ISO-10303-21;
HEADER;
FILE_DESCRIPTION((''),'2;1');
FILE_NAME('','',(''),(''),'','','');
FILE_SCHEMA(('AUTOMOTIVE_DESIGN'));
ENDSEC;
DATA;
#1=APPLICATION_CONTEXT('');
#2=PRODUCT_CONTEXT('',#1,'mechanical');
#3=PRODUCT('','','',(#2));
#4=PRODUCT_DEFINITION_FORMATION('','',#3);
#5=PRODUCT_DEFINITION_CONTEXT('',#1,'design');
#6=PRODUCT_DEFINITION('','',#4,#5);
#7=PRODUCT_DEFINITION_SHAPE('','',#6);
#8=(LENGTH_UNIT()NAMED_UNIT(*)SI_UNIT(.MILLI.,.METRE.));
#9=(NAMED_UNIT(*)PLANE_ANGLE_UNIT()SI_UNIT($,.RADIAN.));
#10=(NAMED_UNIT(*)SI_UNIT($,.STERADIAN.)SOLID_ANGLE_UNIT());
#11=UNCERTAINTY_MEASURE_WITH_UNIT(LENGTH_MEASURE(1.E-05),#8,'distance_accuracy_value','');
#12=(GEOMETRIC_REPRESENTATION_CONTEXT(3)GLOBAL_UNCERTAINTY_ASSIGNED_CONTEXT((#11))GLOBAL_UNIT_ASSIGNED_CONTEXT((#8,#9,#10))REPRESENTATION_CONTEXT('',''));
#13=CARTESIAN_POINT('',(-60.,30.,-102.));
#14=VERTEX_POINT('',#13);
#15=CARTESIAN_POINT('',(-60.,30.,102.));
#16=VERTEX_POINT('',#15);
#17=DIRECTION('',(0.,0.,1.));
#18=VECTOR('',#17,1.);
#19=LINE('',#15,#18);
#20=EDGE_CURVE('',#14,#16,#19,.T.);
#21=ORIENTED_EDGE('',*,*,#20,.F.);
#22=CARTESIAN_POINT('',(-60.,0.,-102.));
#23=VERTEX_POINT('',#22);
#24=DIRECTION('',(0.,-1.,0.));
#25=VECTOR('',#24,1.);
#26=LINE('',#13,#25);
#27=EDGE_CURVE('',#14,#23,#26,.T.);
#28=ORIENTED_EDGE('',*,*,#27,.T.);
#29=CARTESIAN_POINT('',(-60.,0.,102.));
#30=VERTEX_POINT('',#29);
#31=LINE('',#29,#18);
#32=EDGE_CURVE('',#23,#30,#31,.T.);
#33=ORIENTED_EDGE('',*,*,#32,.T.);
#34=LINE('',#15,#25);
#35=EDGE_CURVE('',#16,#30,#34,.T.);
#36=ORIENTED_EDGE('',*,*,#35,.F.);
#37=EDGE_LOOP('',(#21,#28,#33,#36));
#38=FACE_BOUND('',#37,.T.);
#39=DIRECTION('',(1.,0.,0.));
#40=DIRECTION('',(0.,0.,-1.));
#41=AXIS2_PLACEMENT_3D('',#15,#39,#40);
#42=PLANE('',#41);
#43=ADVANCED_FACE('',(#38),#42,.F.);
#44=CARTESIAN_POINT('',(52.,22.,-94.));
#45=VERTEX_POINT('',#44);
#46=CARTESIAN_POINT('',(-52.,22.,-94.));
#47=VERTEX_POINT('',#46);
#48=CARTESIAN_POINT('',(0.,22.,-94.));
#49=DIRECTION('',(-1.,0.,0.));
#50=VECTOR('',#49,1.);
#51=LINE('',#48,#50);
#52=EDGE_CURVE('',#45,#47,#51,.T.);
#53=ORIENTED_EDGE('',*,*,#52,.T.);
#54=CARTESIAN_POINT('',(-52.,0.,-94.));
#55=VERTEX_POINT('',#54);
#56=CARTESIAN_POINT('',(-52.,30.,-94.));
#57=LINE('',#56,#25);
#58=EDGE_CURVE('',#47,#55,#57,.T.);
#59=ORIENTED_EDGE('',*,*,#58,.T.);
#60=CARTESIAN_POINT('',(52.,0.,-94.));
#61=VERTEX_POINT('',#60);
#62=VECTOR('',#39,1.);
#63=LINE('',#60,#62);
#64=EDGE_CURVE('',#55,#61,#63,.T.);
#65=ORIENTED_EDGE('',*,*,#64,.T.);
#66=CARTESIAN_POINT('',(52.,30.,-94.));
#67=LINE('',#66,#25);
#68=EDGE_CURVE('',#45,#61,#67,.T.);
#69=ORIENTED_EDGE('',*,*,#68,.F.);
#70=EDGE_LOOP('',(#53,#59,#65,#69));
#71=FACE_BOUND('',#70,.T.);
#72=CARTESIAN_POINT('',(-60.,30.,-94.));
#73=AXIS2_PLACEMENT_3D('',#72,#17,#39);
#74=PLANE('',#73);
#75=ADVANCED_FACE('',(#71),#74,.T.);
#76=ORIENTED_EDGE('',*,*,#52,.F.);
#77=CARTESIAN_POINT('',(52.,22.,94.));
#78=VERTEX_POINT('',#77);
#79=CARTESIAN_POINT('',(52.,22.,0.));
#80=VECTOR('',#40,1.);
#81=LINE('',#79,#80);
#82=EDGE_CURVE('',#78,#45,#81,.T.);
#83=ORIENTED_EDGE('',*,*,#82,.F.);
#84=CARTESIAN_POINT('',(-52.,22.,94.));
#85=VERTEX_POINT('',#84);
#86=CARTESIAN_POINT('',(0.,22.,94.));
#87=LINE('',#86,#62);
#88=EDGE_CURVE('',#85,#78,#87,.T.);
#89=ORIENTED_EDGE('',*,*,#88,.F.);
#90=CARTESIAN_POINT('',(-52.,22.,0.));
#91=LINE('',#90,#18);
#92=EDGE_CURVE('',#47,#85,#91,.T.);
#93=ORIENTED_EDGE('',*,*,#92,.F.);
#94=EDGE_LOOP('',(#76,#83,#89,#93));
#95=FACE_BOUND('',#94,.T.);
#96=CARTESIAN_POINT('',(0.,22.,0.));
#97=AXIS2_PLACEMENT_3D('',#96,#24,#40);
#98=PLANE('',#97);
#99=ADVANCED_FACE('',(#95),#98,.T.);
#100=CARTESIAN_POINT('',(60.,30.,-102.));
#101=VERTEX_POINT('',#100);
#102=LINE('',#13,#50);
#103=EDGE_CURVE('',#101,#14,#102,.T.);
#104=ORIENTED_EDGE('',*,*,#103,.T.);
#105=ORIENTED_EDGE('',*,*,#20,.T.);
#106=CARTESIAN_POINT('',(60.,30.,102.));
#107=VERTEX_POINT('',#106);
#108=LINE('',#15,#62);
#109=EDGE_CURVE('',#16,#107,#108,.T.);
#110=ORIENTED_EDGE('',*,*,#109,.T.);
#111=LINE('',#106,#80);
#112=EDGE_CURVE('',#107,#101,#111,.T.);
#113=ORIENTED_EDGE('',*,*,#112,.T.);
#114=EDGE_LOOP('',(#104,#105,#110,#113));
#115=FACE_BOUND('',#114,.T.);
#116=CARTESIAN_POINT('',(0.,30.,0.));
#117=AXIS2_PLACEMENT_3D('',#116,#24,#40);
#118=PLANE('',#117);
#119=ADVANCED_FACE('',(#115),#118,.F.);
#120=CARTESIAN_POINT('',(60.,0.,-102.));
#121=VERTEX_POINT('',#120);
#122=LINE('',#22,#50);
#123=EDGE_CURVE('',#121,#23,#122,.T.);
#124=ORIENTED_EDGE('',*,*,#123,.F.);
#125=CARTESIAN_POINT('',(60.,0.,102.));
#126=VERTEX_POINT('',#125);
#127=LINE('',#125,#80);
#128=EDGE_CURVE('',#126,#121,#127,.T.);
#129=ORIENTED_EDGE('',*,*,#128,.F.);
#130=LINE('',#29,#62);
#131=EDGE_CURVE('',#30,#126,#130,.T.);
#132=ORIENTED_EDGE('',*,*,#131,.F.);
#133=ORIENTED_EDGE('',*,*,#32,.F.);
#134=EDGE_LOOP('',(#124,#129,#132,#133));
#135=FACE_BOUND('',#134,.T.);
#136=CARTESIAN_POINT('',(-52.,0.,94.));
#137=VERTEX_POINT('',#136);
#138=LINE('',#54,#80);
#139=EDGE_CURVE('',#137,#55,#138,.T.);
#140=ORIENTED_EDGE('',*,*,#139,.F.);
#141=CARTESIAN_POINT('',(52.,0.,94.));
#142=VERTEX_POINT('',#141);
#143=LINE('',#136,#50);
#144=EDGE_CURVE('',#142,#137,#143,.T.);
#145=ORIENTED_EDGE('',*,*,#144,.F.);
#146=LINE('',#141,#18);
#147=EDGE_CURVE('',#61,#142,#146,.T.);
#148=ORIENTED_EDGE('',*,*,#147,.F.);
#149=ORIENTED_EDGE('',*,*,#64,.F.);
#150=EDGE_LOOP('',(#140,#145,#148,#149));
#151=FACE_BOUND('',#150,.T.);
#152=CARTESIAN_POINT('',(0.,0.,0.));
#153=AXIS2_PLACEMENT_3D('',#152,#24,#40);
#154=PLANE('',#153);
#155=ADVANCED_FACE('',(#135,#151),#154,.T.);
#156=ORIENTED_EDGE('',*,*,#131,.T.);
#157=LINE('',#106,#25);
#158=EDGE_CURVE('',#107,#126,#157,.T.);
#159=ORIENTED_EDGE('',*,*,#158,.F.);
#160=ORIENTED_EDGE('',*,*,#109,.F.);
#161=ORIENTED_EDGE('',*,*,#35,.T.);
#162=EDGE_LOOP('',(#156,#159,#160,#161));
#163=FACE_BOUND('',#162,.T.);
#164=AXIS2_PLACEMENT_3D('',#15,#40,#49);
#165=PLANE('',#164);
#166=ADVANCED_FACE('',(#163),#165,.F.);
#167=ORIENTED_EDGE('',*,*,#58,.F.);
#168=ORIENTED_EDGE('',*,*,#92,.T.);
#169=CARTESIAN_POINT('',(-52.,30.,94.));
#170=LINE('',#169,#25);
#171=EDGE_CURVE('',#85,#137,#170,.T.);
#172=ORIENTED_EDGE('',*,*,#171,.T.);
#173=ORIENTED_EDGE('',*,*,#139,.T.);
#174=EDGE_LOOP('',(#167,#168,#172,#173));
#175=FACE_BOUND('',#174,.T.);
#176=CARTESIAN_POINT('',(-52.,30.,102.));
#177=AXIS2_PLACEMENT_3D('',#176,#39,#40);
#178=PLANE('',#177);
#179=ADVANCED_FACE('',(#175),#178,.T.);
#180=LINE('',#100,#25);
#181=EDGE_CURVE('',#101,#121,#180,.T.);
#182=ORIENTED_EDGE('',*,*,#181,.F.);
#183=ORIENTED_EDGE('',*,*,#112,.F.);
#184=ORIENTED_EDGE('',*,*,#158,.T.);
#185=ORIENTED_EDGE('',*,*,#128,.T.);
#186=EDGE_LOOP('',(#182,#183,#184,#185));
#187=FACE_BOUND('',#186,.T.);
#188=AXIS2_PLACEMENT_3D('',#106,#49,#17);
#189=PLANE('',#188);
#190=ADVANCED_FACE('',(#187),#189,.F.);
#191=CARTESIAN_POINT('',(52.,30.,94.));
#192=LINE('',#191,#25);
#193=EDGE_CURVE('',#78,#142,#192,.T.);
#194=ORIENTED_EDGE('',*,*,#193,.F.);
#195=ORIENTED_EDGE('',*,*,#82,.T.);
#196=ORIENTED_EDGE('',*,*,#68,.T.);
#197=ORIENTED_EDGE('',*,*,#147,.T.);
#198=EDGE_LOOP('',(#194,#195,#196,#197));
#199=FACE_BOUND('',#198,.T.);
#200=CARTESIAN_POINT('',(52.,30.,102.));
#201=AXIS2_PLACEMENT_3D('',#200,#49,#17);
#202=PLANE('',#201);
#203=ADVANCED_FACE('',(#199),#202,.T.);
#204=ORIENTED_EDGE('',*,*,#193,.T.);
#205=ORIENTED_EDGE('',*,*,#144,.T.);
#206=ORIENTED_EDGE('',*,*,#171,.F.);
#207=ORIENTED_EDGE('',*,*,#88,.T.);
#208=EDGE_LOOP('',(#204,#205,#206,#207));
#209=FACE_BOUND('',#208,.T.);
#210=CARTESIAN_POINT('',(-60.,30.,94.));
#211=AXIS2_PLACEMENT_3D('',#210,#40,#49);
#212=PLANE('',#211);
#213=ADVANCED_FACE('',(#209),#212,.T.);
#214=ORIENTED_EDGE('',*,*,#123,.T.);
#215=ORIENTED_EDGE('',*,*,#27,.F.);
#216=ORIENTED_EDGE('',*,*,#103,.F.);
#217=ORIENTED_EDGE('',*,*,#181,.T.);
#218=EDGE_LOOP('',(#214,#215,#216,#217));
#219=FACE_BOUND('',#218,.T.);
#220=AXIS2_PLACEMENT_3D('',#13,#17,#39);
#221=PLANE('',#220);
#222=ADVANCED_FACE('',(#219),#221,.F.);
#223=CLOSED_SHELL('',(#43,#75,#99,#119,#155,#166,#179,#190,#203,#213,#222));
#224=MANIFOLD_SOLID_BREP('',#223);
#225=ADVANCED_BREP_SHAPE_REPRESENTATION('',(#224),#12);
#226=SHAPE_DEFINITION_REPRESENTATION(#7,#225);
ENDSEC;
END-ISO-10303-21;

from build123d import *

# Parameters (mm, degrees)
SKETCH1_W           = 120
SKETCH1_H           = 204
BOSS_EXTRUDE1_DEPTH = 30
SHELL1_T            = 8
SKETCH2_W           = 104
SKETCH2_H           = 188
CUT_EXTRUDE1_DEPTH  = 18


with BuildPart() as part:
    # Sketch1 → Boss-Extrude1 (new body)
    with BuildSketch(Plane(origin=(0, 0, 0), x_dir=(1, 0, 0), z_dir=(0, 1, 0))):
        Rectangle(SKETCH1_W, SKETCH1_H)
    extrude(amount=BOSS_EXTRUDE1_DEPTH)

    # Shell1 (no face opened: a closed hollow body)
    add(offset(amount=-SHELL1_T, mode=Mode.PRIVATE), mode=Mode.SUBTRACT)

    # Sketch2 → Cut-Extrude1 (cut)
    with BuildSketch(Plane.XZ):
        Rectangle(SKETCH2_W, SKETCH2_H)
    extrude(amount=-CUT_EXTRUDE1_DEPTH, mode=Mode.SUBTRACT)


solid = part.part
